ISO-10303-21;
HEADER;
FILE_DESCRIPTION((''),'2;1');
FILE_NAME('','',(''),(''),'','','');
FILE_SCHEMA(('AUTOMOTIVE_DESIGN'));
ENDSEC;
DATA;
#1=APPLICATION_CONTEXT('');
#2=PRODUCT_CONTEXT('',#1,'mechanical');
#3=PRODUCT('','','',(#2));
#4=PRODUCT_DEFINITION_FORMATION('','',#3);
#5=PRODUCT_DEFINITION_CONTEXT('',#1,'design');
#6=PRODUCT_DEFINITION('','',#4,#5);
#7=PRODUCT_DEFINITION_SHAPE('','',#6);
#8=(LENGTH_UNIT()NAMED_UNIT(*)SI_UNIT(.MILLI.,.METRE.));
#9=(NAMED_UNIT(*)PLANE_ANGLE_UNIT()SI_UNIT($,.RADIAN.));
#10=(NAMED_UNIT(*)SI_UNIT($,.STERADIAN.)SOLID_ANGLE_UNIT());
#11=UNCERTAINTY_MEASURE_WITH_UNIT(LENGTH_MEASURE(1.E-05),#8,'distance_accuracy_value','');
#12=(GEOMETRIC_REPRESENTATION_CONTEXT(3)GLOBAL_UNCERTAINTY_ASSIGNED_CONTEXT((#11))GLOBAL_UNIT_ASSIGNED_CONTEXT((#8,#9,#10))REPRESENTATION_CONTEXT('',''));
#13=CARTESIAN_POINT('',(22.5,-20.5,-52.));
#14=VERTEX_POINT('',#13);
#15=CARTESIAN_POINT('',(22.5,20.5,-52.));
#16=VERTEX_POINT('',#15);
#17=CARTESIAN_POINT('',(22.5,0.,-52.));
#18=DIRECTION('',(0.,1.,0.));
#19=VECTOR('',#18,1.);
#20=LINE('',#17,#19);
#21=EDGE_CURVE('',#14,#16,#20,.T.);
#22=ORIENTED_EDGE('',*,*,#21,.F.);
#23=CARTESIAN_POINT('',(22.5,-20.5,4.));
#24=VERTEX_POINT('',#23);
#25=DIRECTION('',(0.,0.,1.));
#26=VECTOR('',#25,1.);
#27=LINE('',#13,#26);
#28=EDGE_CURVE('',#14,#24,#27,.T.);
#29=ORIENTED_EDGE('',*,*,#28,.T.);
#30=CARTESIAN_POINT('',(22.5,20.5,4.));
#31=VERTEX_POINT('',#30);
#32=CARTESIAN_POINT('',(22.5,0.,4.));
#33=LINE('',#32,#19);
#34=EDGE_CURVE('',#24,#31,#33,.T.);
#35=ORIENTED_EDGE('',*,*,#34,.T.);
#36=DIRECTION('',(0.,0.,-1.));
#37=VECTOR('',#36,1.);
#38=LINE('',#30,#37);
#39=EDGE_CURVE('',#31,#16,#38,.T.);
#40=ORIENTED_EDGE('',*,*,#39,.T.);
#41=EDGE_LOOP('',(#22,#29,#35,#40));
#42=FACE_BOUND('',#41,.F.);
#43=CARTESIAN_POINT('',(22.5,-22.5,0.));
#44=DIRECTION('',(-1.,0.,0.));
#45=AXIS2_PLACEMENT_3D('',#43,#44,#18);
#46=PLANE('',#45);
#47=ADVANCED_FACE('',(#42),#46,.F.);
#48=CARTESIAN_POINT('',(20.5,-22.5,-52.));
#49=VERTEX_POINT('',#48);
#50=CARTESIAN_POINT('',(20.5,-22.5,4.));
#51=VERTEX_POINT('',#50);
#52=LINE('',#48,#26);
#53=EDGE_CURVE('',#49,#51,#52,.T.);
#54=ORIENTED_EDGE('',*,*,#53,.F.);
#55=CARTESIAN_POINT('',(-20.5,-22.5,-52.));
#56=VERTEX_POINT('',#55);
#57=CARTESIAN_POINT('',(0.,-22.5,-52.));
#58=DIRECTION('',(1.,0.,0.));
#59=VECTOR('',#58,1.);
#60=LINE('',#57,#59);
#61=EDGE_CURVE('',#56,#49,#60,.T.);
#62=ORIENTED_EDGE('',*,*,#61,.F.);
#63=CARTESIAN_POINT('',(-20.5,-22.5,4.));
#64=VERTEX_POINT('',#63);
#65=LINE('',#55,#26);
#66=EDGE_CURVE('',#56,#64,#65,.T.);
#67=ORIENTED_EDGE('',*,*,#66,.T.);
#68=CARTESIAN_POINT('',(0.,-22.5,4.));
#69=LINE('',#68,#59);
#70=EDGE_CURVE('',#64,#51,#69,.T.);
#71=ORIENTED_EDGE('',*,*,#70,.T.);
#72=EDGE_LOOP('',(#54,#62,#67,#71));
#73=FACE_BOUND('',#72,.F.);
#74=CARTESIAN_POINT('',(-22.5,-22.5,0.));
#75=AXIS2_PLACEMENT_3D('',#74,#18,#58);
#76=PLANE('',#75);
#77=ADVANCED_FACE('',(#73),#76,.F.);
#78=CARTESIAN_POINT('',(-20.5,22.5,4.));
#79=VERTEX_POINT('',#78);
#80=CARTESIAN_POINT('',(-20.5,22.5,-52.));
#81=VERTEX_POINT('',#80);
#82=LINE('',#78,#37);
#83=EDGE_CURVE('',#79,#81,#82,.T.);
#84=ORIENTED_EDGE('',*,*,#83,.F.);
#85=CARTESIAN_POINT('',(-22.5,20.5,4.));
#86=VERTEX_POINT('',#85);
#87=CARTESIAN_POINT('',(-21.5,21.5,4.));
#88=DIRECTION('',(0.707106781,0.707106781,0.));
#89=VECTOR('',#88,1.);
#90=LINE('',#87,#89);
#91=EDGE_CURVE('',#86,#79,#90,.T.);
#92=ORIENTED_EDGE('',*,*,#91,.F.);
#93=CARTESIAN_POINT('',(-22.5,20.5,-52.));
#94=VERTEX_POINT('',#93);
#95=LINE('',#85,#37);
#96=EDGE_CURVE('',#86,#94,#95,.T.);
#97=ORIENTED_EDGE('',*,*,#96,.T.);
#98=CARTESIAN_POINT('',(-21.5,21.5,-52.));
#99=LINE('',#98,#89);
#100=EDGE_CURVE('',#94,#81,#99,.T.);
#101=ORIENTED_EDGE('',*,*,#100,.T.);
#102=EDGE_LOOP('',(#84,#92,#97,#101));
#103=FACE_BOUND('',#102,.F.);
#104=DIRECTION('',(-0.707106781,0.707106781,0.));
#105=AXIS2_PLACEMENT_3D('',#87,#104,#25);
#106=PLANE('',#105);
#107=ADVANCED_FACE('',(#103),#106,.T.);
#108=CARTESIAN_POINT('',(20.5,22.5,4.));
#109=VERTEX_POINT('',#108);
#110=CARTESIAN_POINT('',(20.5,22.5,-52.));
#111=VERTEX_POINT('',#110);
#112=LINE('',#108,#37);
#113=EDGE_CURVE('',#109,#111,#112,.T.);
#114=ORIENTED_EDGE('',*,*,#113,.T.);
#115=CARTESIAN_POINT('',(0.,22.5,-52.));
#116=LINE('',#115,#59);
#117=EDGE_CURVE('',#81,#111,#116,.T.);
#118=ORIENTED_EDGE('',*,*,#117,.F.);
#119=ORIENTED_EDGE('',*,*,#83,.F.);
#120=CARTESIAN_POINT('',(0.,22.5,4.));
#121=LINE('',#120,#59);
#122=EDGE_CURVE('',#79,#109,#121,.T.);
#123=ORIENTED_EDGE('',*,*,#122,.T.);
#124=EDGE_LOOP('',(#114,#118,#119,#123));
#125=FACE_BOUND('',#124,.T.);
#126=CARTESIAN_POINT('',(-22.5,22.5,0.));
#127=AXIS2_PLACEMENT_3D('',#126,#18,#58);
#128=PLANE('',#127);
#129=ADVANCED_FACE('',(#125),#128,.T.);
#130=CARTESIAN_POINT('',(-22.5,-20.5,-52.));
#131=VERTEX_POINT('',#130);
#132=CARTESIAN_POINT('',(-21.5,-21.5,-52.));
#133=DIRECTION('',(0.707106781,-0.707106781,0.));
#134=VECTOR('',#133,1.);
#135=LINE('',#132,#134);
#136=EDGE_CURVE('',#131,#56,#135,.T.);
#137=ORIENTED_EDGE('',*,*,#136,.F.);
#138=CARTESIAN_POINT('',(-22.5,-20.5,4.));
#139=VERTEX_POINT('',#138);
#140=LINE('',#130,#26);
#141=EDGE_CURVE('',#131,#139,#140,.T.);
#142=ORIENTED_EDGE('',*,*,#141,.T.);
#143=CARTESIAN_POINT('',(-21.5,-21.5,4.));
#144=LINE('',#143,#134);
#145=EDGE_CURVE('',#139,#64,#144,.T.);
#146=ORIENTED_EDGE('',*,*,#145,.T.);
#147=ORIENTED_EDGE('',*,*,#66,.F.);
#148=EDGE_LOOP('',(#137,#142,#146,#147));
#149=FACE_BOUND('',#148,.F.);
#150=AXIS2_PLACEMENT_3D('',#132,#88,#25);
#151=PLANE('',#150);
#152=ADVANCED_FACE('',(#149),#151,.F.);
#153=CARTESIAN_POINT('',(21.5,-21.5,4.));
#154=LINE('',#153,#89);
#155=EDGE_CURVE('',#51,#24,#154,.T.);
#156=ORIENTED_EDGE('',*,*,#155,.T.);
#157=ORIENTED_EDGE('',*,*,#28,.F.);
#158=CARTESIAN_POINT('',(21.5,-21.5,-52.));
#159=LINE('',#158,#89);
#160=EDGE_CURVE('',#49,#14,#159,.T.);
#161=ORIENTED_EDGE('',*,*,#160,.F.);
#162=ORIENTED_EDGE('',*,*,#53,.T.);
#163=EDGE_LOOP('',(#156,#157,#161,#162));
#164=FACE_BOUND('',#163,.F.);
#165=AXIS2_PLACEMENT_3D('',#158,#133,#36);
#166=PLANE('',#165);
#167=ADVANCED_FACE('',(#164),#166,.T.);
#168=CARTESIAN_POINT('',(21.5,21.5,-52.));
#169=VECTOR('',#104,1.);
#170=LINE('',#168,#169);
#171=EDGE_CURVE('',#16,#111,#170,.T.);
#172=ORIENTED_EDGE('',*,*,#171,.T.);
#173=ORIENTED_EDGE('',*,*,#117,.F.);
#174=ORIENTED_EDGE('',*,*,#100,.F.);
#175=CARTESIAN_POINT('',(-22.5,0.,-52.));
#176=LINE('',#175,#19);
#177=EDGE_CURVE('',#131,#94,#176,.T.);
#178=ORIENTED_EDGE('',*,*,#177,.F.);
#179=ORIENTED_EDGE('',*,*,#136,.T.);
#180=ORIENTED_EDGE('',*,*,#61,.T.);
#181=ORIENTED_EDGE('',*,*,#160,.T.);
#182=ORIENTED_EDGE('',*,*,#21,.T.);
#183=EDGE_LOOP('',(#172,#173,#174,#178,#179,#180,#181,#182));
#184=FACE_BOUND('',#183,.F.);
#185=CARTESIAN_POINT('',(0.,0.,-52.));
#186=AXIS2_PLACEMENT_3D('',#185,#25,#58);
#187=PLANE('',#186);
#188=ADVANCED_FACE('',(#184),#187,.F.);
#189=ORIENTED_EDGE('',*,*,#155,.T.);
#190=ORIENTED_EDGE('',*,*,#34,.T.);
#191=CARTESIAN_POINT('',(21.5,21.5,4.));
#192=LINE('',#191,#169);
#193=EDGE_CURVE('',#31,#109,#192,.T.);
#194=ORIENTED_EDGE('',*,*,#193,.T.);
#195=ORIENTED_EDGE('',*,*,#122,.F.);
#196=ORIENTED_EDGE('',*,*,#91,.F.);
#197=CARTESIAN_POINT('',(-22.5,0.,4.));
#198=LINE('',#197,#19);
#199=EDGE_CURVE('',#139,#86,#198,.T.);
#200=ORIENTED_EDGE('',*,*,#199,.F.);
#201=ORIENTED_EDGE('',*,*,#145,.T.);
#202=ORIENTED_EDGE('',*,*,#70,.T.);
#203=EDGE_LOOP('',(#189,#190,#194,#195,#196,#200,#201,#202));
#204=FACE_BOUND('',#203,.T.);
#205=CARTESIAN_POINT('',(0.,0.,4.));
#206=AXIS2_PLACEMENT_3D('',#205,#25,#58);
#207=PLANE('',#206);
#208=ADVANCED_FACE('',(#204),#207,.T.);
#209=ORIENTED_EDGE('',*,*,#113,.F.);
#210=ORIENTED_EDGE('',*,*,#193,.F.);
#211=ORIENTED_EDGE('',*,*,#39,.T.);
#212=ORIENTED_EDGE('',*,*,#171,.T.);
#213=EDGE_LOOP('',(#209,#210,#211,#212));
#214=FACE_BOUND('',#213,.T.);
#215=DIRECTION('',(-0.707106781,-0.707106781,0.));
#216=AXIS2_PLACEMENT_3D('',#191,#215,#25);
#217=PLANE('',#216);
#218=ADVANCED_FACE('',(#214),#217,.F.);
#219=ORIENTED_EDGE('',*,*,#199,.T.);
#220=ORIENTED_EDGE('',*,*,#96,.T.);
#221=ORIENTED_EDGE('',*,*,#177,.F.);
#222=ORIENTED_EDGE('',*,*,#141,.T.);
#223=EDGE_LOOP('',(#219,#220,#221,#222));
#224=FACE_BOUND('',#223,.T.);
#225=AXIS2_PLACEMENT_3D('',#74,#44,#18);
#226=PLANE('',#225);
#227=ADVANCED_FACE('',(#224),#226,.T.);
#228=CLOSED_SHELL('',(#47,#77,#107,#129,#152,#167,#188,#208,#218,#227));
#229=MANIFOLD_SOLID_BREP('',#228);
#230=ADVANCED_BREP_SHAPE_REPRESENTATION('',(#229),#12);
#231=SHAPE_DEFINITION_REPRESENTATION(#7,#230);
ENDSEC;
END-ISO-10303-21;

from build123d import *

# Parameters (mm, degrees)
F0_W          = 45
F0_H          = 45
F1_DEPTH      = 52
F1_DEPTH_BACK = 4
F2_SIZE       = 2


with BuildPart() as f1:
    # F0 (on Top) → F1 (new body, two sides)
    with BuildSketch(Plane.XY) as f1_sk:
        Rectangle(F0_W, F0_H)
    extrude(amount=-F1_DEPTH)
    extrude(f1_sk.sketch, amount=F1_DEPTH_BACK)

    # F2
    f2_edges = [f1.edges().sort_by_distance(p)[0] for p in [
        (-22.5, 22.5, -24),
        (22.5, 22.5, -24),
        (22.5, -22.5, -24),
        (-22.5, -22.5, -24),
    ]]
    chamfer(f2_edges, length=F2_SIZE)


solid = f1.part
